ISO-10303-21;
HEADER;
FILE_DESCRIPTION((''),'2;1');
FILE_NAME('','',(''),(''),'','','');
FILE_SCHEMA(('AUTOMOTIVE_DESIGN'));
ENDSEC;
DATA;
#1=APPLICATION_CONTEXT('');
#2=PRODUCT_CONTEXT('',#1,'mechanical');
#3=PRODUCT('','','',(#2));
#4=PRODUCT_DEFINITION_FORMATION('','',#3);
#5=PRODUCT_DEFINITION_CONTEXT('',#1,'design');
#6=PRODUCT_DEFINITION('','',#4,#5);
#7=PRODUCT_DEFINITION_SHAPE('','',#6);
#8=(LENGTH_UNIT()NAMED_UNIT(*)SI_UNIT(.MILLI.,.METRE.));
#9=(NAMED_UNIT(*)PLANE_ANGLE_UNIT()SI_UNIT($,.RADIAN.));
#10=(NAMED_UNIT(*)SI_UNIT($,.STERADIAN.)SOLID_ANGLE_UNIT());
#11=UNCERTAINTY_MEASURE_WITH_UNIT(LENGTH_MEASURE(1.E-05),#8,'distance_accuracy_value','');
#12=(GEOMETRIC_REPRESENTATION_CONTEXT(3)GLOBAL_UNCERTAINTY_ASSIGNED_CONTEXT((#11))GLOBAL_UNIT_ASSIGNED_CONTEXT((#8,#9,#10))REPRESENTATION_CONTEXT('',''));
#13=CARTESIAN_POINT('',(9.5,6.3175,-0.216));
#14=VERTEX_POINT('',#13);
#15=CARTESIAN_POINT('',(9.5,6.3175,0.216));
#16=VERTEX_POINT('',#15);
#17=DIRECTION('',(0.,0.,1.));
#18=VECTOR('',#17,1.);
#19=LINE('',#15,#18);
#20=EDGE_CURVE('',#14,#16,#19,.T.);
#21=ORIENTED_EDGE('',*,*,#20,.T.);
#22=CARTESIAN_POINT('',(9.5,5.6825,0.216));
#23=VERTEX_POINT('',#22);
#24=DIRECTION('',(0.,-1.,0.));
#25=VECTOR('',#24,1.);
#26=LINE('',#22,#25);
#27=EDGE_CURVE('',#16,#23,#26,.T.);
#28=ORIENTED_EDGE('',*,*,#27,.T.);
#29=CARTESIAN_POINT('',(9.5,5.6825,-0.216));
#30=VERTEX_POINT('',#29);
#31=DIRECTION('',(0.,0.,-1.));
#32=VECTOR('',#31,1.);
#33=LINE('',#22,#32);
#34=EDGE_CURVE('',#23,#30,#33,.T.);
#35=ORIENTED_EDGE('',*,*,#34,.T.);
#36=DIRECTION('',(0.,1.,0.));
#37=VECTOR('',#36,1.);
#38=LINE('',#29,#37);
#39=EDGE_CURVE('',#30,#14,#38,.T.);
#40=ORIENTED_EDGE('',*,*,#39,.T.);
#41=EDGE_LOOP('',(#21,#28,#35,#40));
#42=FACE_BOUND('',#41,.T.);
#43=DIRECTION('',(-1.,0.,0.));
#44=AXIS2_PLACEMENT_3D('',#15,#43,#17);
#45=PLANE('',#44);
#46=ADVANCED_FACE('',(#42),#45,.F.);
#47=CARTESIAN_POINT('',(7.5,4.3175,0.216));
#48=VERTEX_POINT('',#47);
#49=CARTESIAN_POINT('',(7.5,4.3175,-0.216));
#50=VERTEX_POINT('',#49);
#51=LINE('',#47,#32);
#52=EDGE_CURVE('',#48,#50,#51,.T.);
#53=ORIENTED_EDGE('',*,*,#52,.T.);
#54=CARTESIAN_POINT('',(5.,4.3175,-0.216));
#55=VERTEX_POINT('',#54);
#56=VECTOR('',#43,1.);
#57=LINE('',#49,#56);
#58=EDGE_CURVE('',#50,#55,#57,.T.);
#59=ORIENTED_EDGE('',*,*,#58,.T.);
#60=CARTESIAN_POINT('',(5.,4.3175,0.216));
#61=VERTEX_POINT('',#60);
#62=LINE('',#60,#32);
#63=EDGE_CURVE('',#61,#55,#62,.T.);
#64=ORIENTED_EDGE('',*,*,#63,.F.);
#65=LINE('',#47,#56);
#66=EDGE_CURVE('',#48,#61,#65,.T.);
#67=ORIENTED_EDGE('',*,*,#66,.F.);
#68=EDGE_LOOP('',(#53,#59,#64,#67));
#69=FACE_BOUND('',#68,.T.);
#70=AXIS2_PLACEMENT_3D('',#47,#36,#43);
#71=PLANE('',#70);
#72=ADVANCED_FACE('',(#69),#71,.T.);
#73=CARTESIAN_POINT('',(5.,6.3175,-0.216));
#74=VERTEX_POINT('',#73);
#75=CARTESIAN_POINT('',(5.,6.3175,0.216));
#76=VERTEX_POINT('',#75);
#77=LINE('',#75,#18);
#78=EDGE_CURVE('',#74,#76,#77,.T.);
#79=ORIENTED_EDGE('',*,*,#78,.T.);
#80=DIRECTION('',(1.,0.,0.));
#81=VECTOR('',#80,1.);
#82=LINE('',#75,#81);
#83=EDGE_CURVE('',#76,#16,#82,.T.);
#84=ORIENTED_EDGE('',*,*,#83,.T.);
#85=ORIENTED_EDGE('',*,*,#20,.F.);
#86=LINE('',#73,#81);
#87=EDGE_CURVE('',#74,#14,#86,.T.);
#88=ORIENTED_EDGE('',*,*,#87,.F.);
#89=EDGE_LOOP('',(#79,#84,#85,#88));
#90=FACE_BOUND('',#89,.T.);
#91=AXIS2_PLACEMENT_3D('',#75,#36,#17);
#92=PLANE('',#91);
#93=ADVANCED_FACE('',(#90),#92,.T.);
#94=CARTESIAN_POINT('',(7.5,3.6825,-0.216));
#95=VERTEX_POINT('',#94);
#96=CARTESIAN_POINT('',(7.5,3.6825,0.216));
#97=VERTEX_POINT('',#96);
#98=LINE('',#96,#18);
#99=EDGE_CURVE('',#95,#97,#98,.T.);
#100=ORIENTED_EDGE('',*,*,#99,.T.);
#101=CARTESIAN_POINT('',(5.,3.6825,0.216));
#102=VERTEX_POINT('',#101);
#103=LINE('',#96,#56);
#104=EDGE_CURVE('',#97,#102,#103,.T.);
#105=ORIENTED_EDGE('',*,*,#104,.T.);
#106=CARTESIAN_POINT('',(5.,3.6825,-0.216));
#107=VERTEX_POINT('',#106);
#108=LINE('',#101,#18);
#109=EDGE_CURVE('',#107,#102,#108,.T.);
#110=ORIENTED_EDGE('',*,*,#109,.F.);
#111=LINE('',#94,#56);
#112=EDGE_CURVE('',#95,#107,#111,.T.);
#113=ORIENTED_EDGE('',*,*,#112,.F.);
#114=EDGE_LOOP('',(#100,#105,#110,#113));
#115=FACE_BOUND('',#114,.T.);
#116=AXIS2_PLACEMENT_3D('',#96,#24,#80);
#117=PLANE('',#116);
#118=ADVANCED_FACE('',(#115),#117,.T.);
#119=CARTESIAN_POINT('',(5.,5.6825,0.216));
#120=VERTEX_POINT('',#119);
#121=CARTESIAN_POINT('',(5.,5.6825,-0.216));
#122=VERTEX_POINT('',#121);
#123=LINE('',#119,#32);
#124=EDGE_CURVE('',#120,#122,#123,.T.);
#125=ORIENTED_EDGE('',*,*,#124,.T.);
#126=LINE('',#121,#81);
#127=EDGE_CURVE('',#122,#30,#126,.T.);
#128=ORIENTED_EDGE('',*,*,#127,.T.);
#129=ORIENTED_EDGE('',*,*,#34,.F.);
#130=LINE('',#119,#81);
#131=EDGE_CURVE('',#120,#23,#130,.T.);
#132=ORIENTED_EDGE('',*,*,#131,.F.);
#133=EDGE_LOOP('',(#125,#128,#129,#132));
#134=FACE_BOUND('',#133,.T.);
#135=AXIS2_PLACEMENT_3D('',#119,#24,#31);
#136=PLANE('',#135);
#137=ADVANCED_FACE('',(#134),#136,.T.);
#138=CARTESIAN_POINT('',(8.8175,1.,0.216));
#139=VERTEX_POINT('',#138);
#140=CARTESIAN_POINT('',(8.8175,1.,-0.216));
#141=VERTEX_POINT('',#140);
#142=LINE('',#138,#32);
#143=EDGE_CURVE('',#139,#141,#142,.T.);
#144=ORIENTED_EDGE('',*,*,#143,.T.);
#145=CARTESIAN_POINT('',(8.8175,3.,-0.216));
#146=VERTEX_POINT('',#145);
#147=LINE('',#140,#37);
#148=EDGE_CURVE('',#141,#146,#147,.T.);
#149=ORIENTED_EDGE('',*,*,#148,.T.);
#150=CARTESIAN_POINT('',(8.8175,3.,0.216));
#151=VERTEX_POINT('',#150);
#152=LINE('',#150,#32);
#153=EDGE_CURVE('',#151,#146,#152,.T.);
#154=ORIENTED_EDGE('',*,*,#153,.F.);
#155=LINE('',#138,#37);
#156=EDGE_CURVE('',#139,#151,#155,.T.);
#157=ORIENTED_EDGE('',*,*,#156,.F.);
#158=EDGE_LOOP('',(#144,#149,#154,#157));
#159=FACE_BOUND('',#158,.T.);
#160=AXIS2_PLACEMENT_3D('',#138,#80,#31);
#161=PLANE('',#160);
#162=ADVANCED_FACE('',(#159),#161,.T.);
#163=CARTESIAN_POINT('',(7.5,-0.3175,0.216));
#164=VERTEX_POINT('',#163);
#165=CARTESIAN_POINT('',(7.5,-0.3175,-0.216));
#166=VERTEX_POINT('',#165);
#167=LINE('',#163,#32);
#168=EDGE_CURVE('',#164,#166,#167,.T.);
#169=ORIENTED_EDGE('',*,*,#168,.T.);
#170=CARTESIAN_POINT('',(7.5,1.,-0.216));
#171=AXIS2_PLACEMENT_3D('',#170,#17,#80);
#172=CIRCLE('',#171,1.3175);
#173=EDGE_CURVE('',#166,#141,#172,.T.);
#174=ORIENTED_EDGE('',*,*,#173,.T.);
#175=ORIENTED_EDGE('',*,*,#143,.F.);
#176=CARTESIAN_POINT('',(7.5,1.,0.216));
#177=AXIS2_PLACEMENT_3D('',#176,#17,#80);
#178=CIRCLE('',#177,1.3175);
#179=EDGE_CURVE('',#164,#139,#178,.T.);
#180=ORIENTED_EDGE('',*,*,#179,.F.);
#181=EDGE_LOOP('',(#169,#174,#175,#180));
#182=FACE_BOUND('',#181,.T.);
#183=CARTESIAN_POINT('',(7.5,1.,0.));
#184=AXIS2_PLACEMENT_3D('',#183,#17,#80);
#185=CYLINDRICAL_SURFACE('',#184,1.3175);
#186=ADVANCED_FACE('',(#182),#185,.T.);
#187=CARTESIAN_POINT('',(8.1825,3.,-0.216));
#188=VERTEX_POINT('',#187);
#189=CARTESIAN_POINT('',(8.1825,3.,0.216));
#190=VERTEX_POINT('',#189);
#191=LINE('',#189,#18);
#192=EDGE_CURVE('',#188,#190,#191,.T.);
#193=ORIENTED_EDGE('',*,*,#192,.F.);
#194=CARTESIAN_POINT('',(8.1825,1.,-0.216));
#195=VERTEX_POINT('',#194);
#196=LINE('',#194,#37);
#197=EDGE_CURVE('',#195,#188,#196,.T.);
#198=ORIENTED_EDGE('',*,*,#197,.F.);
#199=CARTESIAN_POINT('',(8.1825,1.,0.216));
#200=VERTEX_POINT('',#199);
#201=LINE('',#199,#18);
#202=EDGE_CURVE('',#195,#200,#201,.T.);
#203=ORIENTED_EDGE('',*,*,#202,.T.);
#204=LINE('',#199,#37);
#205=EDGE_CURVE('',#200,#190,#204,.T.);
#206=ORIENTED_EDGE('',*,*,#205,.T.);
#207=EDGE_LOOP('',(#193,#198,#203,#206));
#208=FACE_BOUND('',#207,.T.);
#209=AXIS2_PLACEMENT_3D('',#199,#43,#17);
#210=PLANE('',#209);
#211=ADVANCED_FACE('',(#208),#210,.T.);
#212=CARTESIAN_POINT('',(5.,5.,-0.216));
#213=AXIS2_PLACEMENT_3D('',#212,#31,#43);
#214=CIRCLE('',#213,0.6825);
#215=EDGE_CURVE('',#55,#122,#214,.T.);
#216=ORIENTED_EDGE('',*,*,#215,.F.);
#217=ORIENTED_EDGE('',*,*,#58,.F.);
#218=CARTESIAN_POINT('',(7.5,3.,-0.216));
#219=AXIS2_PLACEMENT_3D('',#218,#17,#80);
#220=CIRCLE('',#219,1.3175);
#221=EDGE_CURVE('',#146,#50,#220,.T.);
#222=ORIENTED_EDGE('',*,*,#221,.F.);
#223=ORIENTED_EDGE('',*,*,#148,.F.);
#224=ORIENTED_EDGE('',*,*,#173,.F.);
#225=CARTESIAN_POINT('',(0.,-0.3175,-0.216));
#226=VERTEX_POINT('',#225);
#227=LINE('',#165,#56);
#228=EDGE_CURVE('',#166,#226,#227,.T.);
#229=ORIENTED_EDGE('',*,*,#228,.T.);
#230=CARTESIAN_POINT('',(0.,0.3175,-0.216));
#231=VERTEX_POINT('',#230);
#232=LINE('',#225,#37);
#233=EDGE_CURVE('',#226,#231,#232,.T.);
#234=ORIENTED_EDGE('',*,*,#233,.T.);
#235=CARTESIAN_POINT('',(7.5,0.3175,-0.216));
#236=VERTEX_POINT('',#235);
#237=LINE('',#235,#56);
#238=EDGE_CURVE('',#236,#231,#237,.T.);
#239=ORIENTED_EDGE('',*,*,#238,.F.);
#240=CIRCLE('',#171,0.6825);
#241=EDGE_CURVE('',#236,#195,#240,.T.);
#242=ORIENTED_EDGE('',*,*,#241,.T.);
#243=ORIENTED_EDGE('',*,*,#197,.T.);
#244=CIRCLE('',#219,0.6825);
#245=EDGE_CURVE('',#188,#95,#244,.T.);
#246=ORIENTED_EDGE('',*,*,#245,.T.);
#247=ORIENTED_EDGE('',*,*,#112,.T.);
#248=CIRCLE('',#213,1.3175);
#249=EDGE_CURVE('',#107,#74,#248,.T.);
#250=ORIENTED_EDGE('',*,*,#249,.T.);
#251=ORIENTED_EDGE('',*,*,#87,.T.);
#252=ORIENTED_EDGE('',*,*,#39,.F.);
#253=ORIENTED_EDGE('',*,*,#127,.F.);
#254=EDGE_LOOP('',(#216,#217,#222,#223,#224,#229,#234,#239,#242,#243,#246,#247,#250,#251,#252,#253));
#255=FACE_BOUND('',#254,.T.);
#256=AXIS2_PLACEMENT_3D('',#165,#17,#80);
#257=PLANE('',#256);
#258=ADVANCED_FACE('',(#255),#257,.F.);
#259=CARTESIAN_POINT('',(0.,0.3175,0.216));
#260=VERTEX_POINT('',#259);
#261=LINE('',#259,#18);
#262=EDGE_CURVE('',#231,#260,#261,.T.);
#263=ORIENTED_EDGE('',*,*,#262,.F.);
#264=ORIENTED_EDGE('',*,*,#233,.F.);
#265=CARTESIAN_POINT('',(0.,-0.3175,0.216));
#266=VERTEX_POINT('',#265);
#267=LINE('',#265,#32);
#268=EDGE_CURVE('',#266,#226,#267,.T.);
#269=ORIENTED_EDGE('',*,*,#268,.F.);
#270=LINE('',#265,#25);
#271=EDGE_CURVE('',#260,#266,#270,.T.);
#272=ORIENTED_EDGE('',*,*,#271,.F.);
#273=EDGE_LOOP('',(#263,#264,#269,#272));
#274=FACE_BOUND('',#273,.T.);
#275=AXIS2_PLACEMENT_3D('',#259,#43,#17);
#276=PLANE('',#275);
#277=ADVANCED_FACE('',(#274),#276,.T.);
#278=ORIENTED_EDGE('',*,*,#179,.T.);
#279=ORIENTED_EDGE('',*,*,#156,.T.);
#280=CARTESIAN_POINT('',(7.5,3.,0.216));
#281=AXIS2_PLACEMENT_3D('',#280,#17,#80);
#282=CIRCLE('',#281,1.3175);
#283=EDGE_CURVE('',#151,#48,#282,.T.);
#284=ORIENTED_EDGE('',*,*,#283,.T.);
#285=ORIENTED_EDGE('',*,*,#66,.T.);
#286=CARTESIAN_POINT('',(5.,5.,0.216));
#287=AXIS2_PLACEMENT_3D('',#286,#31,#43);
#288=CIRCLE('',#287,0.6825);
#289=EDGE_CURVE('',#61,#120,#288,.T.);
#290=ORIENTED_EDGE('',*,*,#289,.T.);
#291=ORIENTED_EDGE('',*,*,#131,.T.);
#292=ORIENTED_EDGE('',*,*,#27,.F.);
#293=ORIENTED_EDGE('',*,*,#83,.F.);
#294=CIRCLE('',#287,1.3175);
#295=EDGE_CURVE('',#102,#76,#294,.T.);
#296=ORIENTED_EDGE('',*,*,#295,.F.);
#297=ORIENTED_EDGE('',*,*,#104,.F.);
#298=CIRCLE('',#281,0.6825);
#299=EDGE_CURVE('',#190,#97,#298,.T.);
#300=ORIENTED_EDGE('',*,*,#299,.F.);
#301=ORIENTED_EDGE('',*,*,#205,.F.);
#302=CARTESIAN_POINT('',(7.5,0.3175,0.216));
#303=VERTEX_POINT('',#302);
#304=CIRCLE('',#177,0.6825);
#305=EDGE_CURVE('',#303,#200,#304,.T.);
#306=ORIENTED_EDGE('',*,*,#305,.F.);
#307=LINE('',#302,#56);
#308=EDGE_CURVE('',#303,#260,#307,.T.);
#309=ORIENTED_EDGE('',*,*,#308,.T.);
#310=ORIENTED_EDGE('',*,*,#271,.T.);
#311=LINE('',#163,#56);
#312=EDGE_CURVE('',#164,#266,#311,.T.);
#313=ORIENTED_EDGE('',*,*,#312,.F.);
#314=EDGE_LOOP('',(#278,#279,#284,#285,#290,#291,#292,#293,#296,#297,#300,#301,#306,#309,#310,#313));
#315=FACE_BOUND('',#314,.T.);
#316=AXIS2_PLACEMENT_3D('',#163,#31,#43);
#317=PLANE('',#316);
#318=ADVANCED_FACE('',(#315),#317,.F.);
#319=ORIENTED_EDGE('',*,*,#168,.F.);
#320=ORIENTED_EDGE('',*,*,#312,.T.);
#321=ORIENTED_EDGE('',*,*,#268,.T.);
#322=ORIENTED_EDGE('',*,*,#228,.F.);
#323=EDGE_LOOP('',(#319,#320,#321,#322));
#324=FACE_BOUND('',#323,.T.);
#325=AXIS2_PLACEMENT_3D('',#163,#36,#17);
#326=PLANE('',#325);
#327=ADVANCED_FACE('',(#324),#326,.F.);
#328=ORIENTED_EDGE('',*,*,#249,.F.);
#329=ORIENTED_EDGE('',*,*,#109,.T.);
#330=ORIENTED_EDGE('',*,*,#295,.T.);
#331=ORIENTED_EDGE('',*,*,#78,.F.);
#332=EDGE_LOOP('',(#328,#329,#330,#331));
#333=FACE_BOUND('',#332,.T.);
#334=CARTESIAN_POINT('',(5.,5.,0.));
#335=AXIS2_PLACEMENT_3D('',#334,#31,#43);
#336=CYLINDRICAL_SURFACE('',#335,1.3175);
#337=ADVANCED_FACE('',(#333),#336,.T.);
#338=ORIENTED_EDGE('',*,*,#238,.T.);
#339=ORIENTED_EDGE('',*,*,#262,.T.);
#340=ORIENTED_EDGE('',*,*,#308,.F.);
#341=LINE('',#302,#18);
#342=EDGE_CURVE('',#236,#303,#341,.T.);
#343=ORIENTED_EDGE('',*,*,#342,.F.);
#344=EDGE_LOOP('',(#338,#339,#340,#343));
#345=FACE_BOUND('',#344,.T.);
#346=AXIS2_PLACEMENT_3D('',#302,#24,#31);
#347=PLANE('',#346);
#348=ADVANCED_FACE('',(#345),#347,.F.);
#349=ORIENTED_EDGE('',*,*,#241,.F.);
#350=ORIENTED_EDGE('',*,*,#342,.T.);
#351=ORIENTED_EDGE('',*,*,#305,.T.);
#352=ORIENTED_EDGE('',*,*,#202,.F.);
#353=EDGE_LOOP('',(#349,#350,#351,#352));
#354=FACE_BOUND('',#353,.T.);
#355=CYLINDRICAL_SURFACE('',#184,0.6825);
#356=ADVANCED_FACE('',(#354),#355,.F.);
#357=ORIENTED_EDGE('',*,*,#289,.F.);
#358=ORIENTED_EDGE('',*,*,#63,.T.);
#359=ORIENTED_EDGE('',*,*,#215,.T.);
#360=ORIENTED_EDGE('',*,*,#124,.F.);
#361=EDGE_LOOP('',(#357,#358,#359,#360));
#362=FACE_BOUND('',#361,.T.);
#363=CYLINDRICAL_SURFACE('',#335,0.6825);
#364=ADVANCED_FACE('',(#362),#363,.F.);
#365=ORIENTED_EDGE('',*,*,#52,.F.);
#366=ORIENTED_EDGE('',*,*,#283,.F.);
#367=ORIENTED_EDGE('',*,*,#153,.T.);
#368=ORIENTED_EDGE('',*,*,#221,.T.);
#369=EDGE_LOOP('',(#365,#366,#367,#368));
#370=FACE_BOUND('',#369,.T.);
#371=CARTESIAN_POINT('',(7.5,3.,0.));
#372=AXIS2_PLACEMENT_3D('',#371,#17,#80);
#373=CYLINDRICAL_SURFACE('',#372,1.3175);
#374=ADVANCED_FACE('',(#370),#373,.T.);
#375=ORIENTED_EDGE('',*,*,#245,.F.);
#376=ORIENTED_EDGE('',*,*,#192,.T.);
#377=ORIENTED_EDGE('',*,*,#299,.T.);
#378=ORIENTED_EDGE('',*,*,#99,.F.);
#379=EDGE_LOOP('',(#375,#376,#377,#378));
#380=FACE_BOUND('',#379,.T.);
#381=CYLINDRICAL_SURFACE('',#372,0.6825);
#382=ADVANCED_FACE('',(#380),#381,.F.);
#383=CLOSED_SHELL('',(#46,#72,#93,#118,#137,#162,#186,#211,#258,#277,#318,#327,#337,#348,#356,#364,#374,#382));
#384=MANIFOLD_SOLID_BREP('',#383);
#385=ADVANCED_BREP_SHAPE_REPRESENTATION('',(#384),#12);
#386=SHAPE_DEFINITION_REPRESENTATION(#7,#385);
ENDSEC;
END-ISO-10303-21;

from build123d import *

# Parameters (mm, degrees)
SKETCH2_W = 0.432
SKETCH2_H = 0.635


with BuildPart() as part:
    # Sweep1: sweep along a path in Sketch1
    with BuildLine(Plane.XY) as sweep1_path:
        Line((0, 0), (7.5, 0))
        ThreePointArc((7.5, 0), (8.207106781, 0.292893219), (8.5, 1))
        Line((8.5, 1), (8.5, 3))
        ThreePointArc((8.5, 3), (8.207106781, 3.707106781), (7.5, 4))
        Line((7.5, 4), (5, 4))
        ThreePointArc((5, 4), (4, 5), (5, 6))
        Line((5, 6), (9.5, 6))
    # Sketch2 → Sweep1 (sweep)
    with BuildSketch(Plane(origin=(0, 0, 0), x_dir=(0, 0, -1), z_dir=(1, 0, 0))):
        Rectangle(SKETCH2_W, SKETCH2_H)
    sweep(path=sweep1_path.line)


solid = part.part
